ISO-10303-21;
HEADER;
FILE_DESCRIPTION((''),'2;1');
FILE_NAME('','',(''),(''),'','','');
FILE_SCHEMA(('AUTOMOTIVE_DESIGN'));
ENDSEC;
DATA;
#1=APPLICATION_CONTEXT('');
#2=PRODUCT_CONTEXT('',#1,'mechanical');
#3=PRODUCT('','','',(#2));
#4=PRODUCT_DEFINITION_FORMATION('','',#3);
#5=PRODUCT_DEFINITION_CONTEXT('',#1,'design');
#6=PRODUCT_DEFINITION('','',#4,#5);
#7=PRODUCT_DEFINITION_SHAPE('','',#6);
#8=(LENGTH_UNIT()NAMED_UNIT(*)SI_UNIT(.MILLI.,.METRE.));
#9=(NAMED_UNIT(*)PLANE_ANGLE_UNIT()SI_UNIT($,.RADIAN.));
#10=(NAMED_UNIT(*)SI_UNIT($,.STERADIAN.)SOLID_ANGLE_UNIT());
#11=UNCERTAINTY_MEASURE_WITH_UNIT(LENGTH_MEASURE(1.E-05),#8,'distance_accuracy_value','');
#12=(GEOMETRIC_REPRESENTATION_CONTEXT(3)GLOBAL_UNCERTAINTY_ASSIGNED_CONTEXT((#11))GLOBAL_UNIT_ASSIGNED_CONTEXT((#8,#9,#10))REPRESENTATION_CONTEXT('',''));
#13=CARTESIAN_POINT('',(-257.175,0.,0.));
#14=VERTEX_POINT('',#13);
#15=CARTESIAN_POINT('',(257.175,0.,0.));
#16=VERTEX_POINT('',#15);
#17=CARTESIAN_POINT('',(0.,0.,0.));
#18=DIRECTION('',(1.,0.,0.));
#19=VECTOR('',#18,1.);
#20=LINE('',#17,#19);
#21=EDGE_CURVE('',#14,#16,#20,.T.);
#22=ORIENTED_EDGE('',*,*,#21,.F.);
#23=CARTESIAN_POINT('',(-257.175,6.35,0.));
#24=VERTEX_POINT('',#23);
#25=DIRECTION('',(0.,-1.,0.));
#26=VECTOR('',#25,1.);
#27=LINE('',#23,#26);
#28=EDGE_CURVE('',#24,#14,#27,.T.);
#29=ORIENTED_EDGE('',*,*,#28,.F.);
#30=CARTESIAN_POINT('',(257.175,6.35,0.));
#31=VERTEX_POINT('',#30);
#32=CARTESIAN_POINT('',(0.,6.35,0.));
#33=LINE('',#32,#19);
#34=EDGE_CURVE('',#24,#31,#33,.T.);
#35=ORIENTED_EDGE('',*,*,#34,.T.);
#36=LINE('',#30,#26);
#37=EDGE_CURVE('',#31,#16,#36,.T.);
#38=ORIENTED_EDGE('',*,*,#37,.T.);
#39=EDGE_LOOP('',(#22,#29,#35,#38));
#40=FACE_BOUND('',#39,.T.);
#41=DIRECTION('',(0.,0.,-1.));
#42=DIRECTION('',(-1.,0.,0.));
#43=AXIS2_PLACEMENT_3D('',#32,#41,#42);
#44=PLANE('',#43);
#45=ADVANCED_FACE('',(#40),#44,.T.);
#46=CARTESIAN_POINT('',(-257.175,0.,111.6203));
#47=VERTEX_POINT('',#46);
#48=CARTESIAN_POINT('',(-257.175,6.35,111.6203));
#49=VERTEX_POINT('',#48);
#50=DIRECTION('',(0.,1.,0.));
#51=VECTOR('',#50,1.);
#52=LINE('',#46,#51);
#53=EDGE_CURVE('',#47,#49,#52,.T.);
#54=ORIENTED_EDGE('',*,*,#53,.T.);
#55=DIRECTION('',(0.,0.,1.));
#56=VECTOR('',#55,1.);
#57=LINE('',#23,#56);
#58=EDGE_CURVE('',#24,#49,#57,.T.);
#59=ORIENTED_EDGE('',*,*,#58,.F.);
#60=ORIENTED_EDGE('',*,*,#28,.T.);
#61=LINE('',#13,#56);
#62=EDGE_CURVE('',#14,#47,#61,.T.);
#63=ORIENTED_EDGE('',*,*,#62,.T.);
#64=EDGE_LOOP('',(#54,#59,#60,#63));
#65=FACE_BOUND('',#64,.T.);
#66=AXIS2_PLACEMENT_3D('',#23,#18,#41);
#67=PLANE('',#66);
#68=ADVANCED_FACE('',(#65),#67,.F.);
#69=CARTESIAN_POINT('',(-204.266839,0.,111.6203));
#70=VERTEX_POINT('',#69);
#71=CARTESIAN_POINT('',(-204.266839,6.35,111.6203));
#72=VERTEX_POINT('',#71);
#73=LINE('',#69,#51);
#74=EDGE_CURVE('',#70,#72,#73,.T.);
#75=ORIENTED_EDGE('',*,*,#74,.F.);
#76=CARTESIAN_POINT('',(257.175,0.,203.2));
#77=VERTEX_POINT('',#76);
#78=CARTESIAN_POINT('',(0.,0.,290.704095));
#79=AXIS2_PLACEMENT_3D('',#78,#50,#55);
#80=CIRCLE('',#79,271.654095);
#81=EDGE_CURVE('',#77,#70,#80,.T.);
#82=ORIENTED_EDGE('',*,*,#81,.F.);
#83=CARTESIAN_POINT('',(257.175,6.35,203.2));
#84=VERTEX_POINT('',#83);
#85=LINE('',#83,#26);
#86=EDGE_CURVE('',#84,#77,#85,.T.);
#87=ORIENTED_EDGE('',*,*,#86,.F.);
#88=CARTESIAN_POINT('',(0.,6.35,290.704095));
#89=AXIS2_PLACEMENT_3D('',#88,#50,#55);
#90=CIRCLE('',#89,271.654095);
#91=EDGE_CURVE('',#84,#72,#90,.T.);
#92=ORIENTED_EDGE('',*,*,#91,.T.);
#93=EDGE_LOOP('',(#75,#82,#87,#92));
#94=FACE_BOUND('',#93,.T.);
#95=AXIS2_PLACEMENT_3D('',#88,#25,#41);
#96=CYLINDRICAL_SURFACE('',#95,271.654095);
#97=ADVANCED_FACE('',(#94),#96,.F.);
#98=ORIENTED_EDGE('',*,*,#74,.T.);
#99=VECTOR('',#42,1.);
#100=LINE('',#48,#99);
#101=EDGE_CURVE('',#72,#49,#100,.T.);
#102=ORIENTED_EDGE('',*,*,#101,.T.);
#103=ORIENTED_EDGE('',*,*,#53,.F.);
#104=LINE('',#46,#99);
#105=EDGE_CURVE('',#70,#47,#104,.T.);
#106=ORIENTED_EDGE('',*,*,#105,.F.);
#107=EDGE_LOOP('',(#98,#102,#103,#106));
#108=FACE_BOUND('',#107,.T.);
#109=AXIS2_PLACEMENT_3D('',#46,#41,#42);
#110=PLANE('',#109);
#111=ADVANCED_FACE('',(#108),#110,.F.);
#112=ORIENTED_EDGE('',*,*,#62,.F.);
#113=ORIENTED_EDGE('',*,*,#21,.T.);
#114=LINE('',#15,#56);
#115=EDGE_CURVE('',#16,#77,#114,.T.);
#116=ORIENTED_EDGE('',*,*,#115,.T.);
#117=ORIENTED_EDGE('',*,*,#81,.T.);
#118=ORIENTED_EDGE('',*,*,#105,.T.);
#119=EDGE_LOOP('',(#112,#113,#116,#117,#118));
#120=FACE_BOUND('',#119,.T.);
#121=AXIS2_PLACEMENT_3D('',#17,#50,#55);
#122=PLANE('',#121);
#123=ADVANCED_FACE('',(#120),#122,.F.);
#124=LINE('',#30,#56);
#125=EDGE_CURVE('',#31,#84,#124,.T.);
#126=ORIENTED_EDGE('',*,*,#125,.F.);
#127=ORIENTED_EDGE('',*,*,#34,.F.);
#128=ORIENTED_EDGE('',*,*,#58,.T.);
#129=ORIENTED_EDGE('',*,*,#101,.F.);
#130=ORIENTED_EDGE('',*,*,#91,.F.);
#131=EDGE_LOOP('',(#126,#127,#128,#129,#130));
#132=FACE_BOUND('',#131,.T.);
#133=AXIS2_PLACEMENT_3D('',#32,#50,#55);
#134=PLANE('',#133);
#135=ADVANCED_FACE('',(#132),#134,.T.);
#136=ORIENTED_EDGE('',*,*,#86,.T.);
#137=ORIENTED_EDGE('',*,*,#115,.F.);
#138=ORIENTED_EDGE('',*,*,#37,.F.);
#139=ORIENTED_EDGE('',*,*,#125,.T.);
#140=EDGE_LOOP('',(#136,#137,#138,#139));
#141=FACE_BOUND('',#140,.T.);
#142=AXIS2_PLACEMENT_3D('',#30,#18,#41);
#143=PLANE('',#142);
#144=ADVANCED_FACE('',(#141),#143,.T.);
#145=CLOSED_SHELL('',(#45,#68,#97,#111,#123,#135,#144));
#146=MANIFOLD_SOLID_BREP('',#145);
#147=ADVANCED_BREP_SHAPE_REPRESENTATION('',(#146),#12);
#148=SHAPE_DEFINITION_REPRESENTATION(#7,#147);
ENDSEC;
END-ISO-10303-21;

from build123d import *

# Parameters (mm, degrees)
BOSS_EXTRUDE1_DEPTH = 6.35
CUT_EXTRUDE1_DEPTH  = 328.825476626


with BuildPart() as part:
    # Sketch1 → Boss-Extrude1 (new body)
    with BuildSketch(Plane(origin=(0, 0, 0), x_dir=(1, 0, 0), z_dir=(0, 1, 0))):
        with BuildLine():
            Line((257.175, 0), (-257.175, 0))
            Line((-257.175, 0), (-257.175, -203.2))
            ThreePointArc((-257.175, -203.2), (-158.153567084, -69.834458038), (0, -19.05))
            ThreePointArc((0, -19.05), (158.153567084, -69.834458038), (257.175, -203.2))
            Line((257.175, -203.2), (257.175, 0))
        make_face()
    extrude(amount=BOSS_EXTRUDE1_DEPTH)

    # Sketch2 → Cut-Extrude1 (cut, through all)
    with BuildSketch(Plane(origin=(0, 6.35, 0), x_dir=(1, 0, 0), z_dir=(0, 1, 0))):
        with BuildLine():
            Line((-257.175, -111.6203), (-204.266839371, -111.6203))
            ThreePointArc((-204.266839371, -111.6203), (-235.22086035, -154.810408098), (-257.175, -203.2))
            Line((-257.175, -203.2), (-257.175, -111.6203))
        make_face()
    extrude(amount=-CUT_EXTRUDE1_DEPTH, mode=Mode.SUBTRACT)


solid = part.part
